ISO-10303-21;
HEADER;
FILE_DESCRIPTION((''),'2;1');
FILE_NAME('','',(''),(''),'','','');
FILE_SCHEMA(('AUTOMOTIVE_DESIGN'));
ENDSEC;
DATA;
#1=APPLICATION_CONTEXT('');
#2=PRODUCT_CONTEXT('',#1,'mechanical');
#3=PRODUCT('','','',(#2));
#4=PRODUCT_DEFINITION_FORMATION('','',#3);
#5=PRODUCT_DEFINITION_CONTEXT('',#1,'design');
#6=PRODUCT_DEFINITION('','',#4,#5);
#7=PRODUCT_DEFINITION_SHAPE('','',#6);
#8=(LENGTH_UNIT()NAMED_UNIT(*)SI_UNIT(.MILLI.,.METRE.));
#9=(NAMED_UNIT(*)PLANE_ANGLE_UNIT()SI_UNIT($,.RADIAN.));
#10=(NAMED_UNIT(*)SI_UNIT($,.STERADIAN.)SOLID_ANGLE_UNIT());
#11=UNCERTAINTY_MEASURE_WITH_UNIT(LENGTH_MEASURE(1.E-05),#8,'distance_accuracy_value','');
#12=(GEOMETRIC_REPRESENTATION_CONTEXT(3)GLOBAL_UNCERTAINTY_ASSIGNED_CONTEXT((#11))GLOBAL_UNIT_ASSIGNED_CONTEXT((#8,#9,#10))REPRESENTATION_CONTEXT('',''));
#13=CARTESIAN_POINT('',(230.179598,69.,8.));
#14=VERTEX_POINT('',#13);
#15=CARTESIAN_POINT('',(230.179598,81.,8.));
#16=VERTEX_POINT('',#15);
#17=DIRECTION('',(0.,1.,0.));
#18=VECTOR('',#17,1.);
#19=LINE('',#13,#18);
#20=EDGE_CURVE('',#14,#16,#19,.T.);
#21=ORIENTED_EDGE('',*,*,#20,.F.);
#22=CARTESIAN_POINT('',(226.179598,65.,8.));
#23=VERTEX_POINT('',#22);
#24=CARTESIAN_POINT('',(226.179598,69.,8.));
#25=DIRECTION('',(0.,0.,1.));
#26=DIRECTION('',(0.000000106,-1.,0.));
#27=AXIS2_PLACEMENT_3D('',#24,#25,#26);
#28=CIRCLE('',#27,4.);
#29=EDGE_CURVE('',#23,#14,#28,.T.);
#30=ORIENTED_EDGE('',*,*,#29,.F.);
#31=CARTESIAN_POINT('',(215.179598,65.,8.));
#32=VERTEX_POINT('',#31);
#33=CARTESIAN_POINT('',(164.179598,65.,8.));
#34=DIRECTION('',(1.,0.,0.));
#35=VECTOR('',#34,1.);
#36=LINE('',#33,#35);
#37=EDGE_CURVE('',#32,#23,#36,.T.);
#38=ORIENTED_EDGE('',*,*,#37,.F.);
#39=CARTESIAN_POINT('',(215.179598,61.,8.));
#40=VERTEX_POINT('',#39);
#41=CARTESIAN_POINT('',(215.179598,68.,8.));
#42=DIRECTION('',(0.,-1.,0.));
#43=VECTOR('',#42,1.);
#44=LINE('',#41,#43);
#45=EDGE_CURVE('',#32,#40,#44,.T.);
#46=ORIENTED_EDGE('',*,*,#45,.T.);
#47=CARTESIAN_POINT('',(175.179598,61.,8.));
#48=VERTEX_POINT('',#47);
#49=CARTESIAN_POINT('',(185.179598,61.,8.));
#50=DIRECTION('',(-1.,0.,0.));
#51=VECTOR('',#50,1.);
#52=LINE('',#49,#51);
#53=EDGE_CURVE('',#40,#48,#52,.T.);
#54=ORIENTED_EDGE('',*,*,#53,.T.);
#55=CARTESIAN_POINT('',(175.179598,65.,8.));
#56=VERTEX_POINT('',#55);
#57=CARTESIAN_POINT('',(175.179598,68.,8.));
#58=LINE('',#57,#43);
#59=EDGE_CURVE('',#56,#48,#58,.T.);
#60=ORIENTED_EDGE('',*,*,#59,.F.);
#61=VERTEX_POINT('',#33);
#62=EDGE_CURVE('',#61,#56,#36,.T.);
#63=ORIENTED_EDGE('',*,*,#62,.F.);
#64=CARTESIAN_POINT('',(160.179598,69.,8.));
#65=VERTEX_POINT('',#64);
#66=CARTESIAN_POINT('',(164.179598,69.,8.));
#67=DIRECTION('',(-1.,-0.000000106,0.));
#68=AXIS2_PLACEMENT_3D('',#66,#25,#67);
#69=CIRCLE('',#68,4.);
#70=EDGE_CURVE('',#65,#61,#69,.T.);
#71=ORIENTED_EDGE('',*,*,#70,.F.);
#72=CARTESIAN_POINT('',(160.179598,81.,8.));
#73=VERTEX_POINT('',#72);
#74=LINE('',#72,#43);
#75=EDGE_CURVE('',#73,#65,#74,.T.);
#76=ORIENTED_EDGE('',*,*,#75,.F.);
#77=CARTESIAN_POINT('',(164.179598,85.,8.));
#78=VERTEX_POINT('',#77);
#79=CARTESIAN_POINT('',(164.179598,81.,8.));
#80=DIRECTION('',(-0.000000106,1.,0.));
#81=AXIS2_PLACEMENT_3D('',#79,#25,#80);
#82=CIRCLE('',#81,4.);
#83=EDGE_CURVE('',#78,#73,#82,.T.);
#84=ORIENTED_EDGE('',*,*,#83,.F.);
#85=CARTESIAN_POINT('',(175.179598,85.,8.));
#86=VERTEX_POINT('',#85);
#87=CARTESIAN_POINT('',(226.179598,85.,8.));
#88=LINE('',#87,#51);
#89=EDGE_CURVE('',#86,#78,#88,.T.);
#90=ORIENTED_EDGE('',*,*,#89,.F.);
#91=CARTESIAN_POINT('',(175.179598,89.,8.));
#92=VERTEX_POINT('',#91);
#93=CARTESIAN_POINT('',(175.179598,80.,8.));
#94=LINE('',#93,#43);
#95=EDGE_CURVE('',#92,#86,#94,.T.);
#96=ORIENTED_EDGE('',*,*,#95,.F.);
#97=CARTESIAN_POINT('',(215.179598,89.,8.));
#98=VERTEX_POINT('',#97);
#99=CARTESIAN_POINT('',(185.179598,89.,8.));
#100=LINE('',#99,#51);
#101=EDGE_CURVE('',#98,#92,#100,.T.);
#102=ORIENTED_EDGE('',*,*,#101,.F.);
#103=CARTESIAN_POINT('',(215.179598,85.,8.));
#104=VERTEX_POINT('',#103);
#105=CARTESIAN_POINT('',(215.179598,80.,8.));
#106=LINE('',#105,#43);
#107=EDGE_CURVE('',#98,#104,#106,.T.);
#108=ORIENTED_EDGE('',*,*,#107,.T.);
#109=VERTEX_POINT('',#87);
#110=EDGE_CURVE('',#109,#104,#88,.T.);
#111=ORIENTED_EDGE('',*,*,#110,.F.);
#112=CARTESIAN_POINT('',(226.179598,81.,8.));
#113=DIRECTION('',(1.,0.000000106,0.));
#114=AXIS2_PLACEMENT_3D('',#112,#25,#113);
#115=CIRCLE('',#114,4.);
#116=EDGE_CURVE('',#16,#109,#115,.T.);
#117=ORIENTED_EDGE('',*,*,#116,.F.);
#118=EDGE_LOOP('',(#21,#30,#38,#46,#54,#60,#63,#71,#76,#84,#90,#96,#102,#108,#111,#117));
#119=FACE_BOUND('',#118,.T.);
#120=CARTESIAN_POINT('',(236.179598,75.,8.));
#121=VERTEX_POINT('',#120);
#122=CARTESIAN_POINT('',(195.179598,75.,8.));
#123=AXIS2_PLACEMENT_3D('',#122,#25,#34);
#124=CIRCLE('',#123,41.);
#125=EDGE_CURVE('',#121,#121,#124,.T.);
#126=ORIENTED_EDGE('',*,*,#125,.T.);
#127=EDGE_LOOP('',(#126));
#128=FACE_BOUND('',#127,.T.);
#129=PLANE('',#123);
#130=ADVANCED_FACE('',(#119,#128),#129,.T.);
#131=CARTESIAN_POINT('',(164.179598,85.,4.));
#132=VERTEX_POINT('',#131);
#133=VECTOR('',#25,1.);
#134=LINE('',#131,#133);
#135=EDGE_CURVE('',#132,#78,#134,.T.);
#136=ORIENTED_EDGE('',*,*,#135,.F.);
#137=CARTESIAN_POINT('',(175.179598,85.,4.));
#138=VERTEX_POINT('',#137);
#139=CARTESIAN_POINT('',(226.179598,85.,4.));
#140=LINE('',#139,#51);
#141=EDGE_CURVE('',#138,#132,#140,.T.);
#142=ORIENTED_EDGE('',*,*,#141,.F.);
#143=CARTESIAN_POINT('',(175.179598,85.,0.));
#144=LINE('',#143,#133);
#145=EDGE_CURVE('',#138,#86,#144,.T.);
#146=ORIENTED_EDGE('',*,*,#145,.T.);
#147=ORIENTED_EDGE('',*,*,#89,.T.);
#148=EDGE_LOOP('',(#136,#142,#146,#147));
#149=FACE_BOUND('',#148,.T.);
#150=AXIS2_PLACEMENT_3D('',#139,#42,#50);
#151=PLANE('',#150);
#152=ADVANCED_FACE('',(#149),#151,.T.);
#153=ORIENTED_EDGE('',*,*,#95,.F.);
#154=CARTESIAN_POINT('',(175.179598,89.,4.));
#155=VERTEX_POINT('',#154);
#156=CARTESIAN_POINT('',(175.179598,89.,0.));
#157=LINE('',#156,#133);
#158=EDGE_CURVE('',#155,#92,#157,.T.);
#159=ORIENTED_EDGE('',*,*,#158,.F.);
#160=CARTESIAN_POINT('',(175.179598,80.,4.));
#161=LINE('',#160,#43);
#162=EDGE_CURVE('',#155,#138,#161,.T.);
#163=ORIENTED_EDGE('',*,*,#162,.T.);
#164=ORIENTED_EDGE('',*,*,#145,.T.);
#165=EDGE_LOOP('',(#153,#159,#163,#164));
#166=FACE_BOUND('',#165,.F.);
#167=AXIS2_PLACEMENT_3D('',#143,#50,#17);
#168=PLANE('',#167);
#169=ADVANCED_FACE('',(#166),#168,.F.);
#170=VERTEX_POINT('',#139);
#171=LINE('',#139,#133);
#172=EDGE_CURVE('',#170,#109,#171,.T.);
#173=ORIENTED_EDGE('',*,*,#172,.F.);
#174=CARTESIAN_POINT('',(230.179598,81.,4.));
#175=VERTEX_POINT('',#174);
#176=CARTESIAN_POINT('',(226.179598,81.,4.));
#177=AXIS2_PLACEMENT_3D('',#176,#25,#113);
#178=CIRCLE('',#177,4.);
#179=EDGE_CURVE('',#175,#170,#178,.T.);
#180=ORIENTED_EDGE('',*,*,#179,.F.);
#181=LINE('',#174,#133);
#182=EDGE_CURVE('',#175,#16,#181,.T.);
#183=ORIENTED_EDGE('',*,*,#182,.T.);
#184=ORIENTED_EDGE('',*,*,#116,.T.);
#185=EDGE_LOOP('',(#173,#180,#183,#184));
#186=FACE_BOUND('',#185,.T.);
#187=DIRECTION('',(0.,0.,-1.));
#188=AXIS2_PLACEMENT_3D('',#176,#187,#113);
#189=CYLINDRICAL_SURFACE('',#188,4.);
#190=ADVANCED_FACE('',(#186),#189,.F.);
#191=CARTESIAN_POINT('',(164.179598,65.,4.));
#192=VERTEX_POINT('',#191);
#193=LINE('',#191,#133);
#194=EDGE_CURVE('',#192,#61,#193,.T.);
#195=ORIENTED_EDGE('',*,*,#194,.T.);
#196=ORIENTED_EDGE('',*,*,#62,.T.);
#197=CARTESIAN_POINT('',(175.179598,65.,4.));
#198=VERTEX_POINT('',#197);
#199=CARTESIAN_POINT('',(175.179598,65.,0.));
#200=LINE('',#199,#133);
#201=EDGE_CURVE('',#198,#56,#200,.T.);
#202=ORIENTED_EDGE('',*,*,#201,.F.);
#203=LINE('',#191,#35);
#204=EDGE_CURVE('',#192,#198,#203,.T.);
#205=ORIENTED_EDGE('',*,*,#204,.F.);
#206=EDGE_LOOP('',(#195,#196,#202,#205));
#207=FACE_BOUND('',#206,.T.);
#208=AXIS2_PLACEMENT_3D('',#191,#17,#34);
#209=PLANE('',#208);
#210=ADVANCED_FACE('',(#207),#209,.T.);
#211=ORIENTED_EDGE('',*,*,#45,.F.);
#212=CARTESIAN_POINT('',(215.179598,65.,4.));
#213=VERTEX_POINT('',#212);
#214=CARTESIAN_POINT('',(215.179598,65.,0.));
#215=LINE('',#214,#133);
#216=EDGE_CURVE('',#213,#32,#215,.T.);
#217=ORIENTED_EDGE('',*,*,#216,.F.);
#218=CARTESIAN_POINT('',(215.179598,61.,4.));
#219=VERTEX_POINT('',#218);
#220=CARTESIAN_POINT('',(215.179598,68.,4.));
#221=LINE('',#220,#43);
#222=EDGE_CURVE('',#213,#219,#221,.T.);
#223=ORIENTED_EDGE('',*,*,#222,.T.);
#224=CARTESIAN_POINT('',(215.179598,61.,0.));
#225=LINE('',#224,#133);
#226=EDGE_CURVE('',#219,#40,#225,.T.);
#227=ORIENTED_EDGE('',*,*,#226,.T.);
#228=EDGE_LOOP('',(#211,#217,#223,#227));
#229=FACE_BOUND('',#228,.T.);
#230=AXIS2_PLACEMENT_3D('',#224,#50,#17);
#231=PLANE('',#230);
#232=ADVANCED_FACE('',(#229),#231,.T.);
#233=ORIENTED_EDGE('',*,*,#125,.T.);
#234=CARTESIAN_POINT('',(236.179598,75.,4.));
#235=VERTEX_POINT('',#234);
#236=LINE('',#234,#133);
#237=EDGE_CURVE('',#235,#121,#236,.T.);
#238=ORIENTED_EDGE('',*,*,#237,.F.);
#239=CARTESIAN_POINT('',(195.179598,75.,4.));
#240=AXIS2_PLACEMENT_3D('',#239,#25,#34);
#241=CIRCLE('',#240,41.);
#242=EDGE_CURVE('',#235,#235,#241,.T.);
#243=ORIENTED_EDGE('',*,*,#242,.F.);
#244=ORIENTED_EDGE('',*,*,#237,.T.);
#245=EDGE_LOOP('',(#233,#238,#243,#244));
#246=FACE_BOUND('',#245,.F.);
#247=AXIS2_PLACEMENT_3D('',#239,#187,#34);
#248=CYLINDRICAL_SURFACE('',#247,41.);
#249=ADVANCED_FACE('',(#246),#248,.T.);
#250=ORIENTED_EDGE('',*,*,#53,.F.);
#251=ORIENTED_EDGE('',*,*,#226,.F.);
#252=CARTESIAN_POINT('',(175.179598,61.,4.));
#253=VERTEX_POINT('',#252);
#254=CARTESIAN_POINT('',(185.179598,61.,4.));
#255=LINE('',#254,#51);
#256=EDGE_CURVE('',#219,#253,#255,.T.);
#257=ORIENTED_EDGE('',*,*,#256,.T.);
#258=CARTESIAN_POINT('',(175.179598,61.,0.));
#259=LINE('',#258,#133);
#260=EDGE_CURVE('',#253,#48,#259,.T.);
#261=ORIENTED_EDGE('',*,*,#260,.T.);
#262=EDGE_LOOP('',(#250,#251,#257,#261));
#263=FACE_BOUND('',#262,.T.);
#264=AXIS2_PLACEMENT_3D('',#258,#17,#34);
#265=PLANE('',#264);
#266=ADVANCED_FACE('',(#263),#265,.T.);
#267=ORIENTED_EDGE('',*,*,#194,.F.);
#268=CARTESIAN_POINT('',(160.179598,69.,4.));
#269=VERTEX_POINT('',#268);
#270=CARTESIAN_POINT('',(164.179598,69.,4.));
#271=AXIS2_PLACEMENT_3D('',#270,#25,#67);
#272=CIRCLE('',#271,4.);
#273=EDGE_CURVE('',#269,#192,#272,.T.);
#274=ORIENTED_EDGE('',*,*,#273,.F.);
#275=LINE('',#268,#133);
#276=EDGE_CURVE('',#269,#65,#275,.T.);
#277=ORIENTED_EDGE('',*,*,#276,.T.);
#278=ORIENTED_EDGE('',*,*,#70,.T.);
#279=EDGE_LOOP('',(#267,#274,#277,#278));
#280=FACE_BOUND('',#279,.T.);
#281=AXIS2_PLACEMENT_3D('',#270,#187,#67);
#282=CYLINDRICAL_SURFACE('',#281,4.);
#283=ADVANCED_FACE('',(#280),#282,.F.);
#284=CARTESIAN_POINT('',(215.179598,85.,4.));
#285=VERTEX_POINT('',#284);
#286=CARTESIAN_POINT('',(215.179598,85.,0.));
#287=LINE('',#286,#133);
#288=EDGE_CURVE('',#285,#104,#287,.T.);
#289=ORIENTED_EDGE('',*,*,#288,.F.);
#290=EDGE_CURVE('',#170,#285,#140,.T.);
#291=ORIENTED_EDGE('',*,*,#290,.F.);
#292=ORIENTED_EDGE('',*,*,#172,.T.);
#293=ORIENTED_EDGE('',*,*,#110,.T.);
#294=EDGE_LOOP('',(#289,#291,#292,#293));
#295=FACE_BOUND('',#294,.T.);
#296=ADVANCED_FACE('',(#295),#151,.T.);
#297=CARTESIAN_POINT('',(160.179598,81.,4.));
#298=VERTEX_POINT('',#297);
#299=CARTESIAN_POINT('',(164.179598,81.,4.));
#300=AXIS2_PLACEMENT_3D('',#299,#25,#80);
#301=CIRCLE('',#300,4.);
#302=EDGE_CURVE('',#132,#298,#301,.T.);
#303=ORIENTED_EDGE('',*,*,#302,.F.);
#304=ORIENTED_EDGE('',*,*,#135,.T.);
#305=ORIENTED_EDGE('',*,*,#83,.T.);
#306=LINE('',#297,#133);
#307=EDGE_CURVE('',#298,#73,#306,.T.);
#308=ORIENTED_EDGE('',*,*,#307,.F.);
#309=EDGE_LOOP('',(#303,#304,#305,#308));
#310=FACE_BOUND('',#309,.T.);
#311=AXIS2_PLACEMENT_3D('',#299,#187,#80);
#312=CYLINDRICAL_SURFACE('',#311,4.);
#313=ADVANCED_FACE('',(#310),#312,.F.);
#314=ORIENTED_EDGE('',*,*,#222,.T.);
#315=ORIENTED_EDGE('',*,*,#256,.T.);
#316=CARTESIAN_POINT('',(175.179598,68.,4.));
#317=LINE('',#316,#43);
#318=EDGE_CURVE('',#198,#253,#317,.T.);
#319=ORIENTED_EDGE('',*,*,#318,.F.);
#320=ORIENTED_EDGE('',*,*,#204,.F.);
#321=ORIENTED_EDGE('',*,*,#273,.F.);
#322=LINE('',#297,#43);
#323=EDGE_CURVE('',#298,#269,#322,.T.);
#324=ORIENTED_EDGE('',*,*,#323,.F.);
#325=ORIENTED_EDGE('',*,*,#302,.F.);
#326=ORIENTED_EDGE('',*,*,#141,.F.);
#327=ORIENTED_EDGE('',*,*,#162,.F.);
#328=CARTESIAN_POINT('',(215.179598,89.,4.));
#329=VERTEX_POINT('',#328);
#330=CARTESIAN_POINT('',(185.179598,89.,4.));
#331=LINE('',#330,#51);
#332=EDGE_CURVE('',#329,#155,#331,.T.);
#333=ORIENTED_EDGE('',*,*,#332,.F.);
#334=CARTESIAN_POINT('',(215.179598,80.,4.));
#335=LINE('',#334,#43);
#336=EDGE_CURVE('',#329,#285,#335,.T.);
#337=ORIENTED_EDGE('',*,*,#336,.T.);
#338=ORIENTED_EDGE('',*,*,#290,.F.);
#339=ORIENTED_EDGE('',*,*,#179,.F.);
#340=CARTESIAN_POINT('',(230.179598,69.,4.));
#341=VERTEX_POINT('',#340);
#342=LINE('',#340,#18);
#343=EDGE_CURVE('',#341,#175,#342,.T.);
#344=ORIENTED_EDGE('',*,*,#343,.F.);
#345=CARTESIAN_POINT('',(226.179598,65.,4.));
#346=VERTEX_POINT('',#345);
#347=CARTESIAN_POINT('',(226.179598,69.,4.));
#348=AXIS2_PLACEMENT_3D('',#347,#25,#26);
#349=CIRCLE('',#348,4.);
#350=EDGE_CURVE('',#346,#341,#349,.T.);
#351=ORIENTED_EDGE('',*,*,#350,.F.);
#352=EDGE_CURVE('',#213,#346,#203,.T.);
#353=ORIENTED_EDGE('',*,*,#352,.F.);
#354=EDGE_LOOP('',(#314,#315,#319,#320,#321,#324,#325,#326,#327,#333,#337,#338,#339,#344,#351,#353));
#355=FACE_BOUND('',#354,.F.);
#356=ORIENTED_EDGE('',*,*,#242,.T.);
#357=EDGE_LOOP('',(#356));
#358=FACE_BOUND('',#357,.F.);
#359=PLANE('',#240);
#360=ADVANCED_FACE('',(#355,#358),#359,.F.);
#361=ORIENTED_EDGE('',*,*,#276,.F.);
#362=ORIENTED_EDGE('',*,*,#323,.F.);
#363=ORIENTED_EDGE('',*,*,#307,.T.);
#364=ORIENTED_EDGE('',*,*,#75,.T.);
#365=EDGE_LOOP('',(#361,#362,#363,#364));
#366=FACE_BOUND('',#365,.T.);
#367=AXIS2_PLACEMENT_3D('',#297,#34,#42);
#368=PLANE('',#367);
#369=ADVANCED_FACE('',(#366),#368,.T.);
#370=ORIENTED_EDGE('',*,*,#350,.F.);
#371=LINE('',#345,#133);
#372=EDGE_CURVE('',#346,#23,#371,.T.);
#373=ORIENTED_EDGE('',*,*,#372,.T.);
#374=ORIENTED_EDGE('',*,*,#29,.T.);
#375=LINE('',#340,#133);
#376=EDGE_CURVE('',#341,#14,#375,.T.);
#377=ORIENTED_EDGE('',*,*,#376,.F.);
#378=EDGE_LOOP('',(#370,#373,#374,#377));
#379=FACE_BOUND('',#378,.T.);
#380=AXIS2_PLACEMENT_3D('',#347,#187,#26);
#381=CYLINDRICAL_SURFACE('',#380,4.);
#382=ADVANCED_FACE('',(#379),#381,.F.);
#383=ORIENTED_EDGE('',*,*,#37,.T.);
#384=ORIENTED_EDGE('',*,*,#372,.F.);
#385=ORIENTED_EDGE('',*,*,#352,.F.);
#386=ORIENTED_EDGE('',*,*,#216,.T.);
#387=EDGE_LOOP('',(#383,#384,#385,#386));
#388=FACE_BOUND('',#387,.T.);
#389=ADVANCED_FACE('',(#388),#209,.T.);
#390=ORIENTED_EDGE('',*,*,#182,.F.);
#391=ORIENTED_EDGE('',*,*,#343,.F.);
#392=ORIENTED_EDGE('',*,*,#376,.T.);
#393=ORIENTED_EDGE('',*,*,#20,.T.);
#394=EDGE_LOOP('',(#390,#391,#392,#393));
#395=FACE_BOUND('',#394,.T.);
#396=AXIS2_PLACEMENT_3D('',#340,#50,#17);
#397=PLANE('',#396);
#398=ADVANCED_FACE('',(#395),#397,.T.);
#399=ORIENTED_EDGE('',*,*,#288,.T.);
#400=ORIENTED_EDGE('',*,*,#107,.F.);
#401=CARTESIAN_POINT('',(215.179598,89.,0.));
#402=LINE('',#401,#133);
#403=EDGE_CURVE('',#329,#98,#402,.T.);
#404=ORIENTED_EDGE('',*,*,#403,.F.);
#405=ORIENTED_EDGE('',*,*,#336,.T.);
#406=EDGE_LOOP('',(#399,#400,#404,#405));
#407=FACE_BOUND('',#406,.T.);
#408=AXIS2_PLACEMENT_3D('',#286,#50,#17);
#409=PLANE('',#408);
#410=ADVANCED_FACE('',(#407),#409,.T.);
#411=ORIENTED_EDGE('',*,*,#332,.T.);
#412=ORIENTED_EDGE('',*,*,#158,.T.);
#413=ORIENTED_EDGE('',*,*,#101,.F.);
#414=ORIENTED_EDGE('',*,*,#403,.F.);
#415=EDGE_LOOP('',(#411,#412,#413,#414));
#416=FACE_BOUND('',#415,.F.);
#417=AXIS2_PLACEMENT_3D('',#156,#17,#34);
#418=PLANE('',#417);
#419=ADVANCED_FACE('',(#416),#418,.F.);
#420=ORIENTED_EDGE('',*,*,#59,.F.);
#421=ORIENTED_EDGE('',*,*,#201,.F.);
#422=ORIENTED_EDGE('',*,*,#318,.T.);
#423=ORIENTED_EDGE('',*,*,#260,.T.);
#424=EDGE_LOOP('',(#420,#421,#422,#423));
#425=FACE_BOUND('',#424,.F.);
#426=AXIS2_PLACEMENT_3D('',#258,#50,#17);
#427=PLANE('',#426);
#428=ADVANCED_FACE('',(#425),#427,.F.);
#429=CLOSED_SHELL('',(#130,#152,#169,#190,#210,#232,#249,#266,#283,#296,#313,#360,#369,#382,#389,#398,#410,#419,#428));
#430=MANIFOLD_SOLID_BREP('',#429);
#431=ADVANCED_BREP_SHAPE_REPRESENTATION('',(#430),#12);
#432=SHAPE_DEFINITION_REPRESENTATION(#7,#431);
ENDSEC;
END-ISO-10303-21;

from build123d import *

# Parameters (mm, degrees)
SKETCH_R        = 41
PAD_DEPTH       = 4
SKETCH004_W     = 40
SKETCH004_H     = 4
POCKET002_DEPTH = 8.001


with BuildPart() as part:
    # Sketch → Pad (new body)
    with BuildSketch(Plane.XY.offset(4)):
        with Locations((195.179598, 75)):
            Circle(SKETCH_R)
        with BuildLine():
            Line((195.179598, 65), (226.179598, 65))
            ThreePointArc((226.179598, 65), (229.008025, 66.171573), (230.179598, 69))
            Line((230.179598, 69), (230.179598, 81))
            ThreePointArc((230.179598, 81), (229.008025, 83.828427), (226.179598, 85))
            Line((226.179598, 85), (195.179598, 85))
            Line((195.179598, 85), (164.179598, 85))
            ThreePointArc((164.179598, 85), (161.351171, 83.828427), (160.179598, 81))
            Line((160.179598, 81), (160.179598, 69))
            ThreePointArc((160.179598, 69), (161.351171, 66.171573), (164.179598, 65))
            Line((164.179598, 65), (195.179598, 65))
        make_face(mode=Mode.SUBTRACT)
    extrude(amount=PAD_DEPTH)

    # Sketch004 → Pocket002 (cut, through all)
    with BuildSketch(Plane.XY):
        with Locations((195.179598, 63)):
            Rectangle(SKETCH004_W, SKETCH004_H)
        with Locations((195.179598, 87)):
            Rectangle(SKETCH004_W, SKETCH004_H)
    extrude(amount=POCKET002_DEPTH, mode=Mode.SUBTRACT)


solid = part.part
